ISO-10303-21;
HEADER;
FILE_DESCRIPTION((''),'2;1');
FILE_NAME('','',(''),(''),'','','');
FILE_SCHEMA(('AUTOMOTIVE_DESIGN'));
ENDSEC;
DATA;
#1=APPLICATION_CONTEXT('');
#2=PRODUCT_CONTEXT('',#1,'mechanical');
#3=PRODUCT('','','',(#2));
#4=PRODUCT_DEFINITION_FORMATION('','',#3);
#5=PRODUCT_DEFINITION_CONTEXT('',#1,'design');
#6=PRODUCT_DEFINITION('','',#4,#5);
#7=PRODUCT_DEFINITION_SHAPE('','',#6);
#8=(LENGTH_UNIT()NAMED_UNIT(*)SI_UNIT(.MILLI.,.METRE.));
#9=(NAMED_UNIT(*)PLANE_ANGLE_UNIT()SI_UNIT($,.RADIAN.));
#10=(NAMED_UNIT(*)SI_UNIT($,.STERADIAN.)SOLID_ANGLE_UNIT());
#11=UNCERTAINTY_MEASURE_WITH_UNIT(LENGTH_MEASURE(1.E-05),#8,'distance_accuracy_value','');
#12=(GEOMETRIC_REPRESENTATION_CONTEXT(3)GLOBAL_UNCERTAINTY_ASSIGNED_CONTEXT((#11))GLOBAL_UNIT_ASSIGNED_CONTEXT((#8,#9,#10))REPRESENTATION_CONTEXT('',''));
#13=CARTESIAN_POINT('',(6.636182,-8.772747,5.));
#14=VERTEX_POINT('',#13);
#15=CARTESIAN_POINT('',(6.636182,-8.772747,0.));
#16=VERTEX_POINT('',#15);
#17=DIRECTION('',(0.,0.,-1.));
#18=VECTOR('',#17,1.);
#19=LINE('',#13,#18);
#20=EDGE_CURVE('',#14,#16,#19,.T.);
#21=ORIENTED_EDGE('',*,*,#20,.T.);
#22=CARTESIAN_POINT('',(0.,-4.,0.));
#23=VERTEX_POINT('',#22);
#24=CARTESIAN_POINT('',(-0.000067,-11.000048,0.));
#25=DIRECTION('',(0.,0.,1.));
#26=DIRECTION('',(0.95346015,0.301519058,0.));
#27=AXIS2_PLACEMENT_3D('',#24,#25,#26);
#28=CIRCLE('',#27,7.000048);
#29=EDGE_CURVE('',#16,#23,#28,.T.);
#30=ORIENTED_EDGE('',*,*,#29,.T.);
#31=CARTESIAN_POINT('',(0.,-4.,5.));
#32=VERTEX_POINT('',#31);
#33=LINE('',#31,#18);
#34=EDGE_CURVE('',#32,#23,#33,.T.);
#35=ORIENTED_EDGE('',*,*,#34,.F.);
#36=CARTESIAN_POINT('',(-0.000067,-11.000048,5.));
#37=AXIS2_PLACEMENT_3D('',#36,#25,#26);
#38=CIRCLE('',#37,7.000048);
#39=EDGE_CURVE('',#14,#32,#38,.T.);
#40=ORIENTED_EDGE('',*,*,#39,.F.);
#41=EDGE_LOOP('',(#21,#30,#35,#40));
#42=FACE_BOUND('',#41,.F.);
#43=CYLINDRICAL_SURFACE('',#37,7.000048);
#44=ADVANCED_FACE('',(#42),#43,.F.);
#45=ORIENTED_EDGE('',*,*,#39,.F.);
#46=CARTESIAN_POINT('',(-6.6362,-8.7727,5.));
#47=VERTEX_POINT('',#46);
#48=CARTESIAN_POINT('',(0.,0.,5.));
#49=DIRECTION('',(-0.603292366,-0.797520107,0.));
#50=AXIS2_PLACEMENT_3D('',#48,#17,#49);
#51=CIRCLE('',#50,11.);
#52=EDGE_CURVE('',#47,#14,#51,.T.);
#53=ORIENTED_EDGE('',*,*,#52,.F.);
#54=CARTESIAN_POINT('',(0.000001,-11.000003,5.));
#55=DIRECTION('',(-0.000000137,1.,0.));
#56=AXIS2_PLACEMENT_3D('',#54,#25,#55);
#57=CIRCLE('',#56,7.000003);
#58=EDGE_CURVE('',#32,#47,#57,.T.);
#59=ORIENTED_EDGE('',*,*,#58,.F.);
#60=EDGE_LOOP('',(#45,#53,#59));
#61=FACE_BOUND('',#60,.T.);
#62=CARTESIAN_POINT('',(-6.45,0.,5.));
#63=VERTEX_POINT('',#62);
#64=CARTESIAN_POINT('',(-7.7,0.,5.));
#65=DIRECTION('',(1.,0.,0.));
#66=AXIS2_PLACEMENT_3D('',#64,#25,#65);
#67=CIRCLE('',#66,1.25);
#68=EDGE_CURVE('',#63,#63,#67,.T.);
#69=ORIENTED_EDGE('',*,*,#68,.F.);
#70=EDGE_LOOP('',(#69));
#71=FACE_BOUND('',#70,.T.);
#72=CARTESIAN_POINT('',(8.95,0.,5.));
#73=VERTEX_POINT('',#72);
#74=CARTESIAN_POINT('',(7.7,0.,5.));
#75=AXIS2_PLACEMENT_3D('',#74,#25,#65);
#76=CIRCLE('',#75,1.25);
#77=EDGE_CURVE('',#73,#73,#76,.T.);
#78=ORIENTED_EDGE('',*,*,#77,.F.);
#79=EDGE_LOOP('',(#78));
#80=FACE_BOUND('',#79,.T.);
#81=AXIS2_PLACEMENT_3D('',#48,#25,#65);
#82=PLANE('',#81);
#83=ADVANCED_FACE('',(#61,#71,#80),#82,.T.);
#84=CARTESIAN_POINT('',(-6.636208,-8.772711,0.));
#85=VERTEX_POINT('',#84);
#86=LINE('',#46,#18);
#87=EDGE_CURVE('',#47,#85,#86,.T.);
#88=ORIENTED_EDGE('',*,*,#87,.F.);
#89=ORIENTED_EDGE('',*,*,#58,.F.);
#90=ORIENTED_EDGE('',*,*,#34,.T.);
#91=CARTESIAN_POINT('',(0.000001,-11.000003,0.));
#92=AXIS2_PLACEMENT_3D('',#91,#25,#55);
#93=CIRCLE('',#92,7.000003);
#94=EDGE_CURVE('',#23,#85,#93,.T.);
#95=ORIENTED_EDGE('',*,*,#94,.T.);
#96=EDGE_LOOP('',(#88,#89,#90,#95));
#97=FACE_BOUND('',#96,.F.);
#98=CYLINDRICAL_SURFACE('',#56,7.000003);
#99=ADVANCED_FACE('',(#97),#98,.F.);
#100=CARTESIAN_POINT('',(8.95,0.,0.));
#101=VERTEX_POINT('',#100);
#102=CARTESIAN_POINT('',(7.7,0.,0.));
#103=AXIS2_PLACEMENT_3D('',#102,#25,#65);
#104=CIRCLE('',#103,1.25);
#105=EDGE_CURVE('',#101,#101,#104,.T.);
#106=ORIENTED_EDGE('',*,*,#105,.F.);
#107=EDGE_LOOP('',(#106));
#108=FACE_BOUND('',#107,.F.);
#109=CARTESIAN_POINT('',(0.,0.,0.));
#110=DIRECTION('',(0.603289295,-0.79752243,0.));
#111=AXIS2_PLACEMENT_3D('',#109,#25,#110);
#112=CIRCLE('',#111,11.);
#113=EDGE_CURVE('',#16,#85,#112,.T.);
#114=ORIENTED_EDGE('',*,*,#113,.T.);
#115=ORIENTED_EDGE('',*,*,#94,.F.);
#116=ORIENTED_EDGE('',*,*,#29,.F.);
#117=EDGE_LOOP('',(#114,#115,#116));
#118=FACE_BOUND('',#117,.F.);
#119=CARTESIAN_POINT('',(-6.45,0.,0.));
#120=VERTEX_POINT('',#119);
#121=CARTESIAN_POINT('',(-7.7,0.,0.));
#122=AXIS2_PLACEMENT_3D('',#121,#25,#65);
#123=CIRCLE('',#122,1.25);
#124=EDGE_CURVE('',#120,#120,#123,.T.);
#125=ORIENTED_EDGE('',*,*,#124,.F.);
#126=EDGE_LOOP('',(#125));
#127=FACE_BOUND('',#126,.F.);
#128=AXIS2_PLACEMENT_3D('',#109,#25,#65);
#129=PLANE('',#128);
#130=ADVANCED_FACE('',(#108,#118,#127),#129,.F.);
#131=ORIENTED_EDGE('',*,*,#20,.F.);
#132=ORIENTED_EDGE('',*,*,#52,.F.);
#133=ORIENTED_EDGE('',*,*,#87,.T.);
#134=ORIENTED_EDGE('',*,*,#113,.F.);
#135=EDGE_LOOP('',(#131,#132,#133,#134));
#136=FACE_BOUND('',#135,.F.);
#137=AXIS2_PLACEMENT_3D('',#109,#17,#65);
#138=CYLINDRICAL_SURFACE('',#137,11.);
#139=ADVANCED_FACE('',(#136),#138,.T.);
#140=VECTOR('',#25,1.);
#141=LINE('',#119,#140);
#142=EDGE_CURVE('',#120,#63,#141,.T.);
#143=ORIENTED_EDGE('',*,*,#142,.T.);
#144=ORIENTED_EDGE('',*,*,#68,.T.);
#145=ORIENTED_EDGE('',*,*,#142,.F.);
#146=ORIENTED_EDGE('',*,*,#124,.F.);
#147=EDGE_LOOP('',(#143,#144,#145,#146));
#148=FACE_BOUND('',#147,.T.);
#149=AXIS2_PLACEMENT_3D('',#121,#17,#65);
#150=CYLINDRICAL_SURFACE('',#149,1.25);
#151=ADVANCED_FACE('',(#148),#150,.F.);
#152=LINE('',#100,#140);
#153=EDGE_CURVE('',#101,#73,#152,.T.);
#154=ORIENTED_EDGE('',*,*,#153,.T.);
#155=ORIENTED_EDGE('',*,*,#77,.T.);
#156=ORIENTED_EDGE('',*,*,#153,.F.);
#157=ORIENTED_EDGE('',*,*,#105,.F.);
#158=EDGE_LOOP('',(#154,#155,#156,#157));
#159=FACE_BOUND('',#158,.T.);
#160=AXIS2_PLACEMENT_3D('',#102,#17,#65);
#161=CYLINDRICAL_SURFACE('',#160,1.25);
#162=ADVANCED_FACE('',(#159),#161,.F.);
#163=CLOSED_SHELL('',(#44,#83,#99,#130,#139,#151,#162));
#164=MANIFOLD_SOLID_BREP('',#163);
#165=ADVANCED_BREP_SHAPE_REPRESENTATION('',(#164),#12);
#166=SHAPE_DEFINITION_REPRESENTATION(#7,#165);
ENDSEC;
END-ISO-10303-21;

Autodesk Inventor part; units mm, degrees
ref_plane "YZ Plane" through (0, 0, 0) normal (1, 0, 0) x (0, 1, 0)
ref_plane "XZ Plane" through (0, 0, 0) normal (0, 1, 0) x (-1, 0, 0)
ref_plane "XY Plane" through (0, 0, 0) normal (0, 0, 1) x (1, 0, 0)
sketch "Sketch1" plane through (0, 0, 0) normal (0, 0, 1) x (1, 0, 0)
  circle A0 centre (0, 0) radius 11
  line L0 (-7.7, 0) -> (7.7, 0) construction
  circle A1 centre (-7.7, 0) radius 1.25
  circle A2 centre (7.7, 0) radius 1.25
  dimension "d0" = 22
  dimension "d1" = 15.4
  dimension "d2" = 2.5
  dimension "d3" = 2.5
extrude "Extrusion1" add sketch "Sketch1" along normal blind 5
sketch "Sketch2" plane through (0, 0, 5) normal (0, 0, 1) x (1, 0, 0)
  circle A0 centre (0, 0) radius 11 projected
  arc A1 (6.6742, -8.8894) -> (0, -4) centre (0, -11) ccw
  arc A2 (0, -4) -> (-6.6362, -8.7727) centre (0, -11) ccw
  point P0 (6.6362, -8.7727)
extrude "Extrusion2" cut sketch "Sketch2" against normal blind 10 contours A2 A1 A0 picked at (-1.3613, -8.6538)
equation "\"d0\" = cs_diam"
equation "\"d1\" = cs_holeSpacing"
equation "\"d2\" = cs_holeDiam"
equation "\"d3\" = cs_holeDiam"
equation "\"d4\" = cs_depth"
equation "\"cs_diam\" = 22"
equation "\"cs_holeSpacing\" = 15.4"
equation "\"cs_holeDiam\" = 2.5"
equation "\"cs_depth\" = 5"
properties part number "Caster Spacer 5mm" material "PMMA Plastic"
